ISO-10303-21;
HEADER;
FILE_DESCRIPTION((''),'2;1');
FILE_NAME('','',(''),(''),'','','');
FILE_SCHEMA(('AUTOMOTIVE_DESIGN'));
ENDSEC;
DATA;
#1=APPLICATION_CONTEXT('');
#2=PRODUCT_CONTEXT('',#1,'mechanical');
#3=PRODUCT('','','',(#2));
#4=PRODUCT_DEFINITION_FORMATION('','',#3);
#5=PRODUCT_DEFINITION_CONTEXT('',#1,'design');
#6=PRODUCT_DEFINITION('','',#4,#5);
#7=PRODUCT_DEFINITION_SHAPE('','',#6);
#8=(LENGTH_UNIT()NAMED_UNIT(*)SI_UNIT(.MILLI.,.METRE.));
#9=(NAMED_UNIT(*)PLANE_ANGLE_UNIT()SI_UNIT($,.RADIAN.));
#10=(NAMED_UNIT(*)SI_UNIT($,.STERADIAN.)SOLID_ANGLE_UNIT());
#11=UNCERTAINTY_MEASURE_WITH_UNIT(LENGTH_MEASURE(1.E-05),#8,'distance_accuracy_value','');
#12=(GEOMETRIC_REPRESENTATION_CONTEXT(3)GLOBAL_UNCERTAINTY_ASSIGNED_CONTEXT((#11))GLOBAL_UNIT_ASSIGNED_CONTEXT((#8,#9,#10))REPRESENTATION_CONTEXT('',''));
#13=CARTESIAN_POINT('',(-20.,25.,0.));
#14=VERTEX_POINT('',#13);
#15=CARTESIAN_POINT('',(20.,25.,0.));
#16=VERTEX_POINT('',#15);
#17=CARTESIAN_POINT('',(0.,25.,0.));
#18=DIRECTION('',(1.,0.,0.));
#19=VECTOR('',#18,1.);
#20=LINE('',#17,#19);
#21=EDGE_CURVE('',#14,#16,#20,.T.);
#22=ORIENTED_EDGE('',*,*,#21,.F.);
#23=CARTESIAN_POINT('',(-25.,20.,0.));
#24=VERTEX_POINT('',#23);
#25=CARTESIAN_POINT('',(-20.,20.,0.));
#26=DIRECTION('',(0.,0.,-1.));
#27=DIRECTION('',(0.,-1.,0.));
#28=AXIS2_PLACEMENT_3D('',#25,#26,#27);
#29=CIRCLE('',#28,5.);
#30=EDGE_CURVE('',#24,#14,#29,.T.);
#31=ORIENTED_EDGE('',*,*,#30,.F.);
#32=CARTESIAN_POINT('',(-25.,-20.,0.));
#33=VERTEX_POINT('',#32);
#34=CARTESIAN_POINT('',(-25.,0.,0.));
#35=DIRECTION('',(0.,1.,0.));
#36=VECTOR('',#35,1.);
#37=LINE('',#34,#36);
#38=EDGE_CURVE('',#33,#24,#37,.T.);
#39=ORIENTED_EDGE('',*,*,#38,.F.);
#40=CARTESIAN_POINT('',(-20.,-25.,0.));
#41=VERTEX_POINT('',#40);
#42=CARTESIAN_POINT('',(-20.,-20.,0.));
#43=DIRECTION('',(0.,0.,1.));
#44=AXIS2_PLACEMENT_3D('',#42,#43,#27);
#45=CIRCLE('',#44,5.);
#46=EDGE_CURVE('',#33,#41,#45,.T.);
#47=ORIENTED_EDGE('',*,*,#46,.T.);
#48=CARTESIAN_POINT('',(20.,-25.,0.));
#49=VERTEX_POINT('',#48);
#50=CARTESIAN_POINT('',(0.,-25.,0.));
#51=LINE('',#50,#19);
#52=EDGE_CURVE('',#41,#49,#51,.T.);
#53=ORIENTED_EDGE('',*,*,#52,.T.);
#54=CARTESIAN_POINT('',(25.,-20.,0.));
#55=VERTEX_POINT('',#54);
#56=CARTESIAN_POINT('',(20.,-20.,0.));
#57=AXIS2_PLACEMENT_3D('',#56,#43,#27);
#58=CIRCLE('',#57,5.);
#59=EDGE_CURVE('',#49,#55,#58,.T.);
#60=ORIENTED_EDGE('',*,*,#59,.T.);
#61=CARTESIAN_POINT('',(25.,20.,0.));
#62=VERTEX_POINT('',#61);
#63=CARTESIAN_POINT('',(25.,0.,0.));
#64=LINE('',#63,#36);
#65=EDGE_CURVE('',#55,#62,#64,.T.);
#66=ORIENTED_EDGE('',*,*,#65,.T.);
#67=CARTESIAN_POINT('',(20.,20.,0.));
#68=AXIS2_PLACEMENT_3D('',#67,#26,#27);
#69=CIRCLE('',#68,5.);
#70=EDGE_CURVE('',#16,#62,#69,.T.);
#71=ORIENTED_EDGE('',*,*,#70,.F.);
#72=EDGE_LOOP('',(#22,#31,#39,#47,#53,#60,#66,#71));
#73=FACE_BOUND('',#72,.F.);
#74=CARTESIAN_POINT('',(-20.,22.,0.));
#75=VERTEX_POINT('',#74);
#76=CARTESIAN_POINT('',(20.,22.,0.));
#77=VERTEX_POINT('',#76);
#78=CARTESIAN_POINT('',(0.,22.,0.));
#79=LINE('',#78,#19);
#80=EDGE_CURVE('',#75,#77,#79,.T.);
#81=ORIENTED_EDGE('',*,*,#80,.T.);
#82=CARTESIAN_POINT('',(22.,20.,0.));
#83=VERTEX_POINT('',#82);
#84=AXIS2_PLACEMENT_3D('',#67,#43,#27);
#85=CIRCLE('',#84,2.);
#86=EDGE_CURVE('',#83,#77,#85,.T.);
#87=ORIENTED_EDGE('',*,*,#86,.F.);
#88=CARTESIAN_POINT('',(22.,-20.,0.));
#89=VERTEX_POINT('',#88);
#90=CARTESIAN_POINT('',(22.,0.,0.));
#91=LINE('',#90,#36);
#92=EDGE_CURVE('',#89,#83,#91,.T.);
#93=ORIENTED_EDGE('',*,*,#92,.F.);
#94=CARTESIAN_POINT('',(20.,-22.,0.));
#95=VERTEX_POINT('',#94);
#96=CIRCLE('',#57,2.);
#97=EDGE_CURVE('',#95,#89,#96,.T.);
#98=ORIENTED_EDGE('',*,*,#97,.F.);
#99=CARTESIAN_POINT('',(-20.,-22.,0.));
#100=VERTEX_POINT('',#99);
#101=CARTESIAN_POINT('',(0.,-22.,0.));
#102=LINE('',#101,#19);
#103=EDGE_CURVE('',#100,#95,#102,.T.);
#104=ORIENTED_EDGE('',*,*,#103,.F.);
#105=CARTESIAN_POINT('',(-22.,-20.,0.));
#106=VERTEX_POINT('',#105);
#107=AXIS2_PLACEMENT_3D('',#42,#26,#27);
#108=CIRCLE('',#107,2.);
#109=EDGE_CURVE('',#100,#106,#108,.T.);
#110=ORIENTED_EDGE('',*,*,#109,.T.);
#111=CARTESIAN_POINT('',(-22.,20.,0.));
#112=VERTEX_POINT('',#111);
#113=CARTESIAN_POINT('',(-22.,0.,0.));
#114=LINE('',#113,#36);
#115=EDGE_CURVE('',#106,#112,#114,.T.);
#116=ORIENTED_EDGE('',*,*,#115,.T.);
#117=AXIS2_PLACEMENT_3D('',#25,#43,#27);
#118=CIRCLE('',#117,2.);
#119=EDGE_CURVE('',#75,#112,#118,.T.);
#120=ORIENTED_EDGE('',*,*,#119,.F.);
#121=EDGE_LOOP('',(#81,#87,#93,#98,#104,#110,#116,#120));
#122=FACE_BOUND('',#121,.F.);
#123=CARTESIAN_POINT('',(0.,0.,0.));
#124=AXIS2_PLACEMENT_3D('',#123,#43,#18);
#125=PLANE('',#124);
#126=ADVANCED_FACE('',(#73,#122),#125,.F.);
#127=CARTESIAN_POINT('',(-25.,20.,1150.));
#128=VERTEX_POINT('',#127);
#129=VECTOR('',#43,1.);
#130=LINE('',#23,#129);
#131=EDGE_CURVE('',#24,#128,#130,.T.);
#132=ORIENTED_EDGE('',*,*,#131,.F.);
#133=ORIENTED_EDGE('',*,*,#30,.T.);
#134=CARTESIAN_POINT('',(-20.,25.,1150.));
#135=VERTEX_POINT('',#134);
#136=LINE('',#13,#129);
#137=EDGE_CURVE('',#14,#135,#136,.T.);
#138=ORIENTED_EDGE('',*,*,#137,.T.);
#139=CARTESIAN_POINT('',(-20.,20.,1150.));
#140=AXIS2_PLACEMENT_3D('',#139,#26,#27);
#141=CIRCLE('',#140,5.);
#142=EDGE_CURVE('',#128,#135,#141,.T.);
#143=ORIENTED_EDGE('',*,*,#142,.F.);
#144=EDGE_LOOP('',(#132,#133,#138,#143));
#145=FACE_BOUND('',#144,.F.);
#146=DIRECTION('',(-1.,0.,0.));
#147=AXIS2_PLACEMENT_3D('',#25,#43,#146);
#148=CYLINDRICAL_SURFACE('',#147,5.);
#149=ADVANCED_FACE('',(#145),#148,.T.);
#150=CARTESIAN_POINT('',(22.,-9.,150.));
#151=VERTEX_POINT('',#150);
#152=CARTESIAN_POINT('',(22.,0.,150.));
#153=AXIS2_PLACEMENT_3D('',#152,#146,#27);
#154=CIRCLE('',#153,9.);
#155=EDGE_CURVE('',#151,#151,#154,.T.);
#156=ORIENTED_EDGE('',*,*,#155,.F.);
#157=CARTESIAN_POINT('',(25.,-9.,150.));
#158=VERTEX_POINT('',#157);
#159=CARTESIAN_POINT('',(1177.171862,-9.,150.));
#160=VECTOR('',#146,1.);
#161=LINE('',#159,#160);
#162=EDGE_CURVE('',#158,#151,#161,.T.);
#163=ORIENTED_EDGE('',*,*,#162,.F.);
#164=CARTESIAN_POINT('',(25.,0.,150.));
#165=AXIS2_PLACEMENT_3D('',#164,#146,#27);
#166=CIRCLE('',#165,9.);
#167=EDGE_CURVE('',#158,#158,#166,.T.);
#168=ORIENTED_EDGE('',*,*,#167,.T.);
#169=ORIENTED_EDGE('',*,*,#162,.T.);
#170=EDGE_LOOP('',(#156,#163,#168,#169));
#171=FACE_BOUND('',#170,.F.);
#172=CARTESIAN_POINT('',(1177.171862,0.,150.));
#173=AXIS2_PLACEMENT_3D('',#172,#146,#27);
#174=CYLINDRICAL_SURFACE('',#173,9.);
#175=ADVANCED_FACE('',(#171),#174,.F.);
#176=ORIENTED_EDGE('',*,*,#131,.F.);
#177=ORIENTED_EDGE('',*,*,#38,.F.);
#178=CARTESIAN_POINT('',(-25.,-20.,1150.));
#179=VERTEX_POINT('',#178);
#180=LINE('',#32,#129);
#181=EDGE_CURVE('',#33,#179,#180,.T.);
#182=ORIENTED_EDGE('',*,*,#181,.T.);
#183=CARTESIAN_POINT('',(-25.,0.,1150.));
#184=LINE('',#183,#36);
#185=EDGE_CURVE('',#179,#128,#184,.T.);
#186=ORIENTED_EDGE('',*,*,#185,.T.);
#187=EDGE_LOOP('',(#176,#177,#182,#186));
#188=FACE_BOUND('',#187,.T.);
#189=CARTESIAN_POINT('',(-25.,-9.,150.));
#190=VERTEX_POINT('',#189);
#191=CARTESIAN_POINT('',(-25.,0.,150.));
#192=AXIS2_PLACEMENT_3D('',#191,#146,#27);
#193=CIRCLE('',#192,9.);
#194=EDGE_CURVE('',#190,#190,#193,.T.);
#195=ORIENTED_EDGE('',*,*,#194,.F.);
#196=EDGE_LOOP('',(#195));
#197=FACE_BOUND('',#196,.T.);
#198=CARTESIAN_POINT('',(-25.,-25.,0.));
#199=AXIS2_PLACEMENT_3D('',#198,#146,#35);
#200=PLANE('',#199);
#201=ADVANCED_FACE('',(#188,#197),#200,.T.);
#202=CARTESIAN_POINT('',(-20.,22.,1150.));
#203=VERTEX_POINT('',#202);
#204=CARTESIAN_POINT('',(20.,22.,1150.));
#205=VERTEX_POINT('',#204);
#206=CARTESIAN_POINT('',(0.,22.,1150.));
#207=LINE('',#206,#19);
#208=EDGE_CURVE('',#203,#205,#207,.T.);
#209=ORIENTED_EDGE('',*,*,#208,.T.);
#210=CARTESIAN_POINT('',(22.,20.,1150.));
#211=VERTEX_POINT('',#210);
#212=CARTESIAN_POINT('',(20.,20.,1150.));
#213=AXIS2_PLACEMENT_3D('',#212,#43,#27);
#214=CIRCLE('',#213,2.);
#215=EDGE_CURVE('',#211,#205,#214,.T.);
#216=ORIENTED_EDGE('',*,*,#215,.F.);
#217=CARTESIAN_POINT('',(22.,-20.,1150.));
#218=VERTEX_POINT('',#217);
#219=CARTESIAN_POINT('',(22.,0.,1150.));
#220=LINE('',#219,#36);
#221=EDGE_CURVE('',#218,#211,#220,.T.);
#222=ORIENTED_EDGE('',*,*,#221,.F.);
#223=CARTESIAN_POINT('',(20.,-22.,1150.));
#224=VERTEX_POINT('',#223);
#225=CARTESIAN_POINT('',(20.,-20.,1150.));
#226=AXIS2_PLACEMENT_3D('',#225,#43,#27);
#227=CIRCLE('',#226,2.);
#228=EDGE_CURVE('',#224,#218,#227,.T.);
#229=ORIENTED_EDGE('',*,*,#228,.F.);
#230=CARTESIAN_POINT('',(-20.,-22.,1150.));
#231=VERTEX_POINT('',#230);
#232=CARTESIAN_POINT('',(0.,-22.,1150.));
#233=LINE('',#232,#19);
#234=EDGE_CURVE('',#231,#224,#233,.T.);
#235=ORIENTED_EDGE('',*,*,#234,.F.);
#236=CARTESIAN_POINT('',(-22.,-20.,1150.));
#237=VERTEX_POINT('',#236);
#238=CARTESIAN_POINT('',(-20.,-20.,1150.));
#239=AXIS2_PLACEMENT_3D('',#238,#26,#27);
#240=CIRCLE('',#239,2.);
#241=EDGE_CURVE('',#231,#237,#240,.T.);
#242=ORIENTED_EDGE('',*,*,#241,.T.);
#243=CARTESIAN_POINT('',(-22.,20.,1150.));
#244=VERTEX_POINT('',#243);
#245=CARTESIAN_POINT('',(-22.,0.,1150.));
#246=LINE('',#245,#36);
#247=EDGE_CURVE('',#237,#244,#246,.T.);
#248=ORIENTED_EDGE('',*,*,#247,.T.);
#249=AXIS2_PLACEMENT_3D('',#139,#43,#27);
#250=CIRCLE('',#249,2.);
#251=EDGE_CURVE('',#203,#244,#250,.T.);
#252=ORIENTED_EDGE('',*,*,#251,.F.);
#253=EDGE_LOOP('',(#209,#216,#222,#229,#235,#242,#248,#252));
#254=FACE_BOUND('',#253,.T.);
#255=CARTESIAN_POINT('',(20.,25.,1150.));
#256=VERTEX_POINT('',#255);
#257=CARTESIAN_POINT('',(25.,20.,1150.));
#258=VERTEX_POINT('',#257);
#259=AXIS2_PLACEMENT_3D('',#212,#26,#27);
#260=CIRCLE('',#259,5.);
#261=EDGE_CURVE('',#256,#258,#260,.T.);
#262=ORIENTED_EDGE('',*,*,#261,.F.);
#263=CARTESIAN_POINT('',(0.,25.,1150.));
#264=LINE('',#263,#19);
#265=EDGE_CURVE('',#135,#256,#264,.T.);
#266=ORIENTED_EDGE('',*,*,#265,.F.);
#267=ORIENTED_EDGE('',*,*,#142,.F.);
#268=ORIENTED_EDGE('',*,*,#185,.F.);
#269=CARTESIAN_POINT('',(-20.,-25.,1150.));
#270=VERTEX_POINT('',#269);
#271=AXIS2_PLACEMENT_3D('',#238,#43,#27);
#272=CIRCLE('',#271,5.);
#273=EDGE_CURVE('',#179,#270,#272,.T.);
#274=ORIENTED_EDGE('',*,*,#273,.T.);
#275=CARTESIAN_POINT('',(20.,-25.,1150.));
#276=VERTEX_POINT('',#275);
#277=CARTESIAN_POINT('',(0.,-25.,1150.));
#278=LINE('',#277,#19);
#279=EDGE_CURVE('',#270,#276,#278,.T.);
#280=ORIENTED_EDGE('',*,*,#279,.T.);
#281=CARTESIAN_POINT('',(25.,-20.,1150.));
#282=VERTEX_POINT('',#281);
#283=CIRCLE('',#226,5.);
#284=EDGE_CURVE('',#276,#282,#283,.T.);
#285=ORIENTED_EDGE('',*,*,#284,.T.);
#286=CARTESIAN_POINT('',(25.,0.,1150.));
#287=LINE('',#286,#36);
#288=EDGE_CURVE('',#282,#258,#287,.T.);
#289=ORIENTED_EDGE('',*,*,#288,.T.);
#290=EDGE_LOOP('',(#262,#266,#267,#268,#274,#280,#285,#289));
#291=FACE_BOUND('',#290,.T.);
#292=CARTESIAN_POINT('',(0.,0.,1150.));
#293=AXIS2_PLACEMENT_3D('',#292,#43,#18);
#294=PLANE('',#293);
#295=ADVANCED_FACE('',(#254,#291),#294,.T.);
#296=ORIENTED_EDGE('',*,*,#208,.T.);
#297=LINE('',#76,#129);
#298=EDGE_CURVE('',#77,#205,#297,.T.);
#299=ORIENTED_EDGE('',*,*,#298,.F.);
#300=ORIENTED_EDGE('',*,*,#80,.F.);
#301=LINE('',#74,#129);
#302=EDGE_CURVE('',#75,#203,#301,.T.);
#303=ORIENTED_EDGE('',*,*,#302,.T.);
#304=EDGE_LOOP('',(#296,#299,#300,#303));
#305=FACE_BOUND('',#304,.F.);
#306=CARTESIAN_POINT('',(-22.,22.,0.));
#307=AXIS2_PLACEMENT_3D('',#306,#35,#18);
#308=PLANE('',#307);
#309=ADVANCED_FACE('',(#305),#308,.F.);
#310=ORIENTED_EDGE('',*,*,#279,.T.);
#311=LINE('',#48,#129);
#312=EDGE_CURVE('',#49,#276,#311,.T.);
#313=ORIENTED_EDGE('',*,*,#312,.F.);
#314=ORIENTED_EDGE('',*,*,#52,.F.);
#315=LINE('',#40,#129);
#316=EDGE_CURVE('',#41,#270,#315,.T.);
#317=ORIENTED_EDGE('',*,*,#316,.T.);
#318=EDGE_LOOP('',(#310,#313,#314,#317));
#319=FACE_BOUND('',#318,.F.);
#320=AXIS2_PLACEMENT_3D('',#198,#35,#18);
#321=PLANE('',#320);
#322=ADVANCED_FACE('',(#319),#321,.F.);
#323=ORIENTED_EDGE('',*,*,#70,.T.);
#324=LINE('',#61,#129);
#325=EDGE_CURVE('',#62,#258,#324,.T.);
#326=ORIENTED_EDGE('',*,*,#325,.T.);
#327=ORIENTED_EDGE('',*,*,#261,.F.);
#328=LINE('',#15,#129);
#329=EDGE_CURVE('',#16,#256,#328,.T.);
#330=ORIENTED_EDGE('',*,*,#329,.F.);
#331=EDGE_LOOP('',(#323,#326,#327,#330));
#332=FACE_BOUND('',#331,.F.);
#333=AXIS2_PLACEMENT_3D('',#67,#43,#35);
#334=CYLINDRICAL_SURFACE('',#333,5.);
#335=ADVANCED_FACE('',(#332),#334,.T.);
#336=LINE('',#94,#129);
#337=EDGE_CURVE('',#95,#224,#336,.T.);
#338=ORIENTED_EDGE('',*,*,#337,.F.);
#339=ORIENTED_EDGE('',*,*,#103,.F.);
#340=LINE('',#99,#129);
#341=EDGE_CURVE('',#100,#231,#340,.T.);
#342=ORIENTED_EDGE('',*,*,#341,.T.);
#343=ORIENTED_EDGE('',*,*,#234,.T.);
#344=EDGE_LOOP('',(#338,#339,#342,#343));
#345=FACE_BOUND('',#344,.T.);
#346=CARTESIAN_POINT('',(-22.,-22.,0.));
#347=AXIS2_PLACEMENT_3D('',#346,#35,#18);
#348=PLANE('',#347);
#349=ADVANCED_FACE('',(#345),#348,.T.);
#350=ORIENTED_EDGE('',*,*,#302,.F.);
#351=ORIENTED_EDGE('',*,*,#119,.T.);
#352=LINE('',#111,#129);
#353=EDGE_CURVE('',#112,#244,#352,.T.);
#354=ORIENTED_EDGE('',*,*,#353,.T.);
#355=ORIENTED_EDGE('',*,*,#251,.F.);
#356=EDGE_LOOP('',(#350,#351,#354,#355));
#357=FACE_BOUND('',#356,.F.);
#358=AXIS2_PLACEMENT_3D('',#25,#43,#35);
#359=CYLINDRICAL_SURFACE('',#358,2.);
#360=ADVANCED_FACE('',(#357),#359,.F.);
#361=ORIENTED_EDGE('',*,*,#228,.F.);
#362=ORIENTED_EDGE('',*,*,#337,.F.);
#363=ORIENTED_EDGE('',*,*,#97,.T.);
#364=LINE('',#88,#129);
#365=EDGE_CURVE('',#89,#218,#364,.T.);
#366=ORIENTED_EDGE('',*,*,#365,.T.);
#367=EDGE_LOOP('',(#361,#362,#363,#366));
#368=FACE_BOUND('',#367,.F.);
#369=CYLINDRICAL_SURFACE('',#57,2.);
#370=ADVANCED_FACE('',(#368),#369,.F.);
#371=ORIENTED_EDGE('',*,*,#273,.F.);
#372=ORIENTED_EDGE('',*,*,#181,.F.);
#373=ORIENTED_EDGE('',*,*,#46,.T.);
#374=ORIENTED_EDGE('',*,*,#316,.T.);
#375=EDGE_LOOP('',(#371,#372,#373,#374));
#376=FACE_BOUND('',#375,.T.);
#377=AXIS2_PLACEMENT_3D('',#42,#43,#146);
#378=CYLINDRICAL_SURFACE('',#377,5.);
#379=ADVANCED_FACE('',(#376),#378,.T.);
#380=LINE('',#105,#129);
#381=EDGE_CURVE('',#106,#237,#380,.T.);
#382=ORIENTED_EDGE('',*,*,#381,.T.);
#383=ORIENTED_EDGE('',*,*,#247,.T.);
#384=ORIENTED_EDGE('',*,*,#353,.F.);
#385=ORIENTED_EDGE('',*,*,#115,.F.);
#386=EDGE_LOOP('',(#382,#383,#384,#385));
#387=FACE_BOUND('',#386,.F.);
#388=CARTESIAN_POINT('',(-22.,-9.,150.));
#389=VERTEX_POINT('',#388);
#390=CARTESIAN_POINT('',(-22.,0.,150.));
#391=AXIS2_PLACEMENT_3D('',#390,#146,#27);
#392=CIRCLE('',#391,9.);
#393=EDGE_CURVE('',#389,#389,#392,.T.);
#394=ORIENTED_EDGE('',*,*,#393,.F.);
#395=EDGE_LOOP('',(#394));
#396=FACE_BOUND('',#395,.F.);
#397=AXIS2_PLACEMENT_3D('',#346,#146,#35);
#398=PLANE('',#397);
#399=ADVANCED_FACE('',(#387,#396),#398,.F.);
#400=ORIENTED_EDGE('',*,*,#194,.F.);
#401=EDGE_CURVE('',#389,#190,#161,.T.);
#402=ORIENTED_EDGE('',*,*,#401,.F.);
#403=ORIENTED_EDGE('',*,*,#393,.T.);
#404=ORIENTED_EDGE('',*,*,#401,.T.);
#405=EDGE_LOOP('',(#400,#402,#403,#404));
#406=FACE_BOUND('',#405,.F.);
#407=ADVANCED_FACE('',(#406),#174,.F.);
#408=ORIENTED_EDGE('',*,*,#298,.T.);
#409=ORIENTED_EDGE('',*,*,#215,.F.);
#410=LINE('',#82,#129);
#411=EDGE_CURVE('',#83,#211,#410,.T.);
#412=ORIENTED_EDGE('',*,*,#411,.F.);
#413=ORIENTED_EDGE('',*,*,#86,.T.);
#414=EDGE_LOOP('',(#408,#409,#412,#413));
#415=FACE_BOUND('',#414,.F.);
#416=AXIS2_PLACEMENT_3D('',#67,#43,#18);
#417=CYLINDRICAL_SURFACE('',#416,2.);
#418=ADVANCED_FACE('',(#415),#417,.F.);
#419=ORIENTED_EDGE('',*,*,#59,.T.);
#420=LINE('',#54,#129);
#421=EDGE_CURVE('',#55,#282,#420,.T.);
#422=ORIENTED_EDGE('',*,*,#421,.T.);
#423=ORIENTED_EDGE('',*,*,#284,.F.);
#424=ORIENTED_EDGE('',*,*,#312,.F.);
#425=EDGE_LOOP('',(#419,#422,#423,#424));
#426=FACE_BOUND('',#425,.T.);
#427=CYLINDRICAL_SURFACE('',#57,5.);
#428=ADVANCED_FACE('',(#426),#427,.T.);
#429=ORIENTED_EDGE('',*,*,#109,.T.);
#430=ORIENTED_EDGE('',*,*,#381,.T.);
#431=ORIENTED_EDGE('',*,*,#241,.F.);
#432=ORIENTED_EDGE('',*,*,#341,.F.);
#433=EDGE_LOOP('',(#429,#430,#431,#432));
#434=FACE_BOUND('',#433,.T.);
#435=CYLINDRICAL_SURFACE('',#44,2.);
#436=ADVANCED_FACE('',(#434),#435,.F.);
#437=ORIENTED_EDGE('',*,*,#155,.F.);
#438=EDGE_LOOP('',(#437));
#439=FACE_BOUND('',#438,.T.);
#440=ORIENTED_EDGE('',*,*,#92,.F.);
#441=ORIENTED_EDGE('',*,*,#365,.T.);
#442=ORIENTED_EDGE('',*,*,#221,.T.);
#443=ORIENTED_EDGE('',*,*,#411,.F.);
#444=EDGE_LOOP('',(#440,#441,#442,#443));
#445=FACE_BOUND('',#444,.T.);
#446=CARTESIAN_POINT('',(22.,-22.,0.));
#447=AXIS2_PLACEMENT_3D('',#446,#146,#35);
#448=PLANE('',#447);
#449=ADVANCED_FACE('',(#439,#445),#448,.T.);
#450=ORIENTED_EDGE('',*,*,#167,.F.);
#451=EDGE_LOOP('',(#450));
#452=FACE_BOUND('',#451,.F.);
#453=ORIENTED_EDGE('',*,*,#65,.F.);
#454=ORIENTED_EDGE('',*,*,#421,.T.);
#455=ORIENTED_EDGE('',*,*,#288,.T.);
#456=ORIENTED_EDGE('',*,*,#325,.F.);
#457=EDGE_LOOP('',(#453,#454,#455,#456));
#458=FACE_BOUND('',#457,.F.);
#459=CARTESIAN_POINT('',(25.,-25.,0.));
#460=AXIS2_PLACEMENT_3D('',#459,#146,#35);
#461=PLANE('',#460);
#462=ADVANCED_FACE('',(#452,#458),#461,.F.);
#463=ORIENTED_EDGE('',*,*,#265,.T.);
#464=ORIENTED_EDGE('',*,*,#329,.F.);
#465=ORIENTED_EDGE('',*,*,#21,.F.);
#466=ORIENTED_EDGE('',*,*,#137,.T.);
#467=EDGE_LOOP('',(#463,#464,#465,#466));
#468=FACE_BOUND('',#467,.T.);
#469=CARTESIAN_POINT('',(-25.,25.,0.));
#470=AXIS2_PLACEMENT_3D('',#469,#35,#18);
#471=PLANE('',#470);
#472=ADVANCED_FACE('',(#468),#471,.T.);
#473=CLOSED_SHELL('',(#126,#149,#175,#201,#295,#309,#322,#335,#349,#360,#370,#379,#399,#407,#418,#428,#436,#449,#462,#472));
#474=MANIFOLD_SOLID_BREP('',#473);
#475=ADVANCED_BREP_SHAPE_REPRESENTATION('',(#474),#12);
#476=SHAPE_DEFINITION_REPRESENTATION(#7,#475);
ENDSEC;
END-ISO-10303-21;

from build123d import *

# Parameters (mm, degrees)
F0_W     = 50
F0_H     = 50
F0_W_2   = 44
F0_H_2   = 44
F1_DEPTH = 1150
F2_R     = 2
F3_R     = 5
F5_D     = 18


with BuildPart() as f1:
    # F0 (on Top) → F1 (new body)
    with BuildSketch(Plane.XY):
        Rectangle(F0_W, F0_H)
        Rectangle(F0_W_2, F0_H_2, mode=Mode.SUBTRACT)
    extrude(amount=F1_DEPTH)

    # F2
    f2_edges = [f1.edges().sort_by_distance(p)[0] for p in [
        (22, 22, 575),
        (-22, -22, 575),
        (-22, 22, 575),
        (22, -22, 575),
    ]]
    fillet(f2_edges, radius=F2_R)

    # F3
    f3_edges = [f1.edges().sort_by_distance(p)[0] for p in [
        (-25, 25, 575),
        (25, 25, 575),
        (-25, -25, 575),
        (25, -25, 575),
    ]]
    fillet(f3_edges, radius=F3_R)

    # F5 (through all)
    with Locations(Plane.YZ.offset(25)):
        with Locations((0, 150)):
            Hole(F5_D / 2)


solid = f1.part
